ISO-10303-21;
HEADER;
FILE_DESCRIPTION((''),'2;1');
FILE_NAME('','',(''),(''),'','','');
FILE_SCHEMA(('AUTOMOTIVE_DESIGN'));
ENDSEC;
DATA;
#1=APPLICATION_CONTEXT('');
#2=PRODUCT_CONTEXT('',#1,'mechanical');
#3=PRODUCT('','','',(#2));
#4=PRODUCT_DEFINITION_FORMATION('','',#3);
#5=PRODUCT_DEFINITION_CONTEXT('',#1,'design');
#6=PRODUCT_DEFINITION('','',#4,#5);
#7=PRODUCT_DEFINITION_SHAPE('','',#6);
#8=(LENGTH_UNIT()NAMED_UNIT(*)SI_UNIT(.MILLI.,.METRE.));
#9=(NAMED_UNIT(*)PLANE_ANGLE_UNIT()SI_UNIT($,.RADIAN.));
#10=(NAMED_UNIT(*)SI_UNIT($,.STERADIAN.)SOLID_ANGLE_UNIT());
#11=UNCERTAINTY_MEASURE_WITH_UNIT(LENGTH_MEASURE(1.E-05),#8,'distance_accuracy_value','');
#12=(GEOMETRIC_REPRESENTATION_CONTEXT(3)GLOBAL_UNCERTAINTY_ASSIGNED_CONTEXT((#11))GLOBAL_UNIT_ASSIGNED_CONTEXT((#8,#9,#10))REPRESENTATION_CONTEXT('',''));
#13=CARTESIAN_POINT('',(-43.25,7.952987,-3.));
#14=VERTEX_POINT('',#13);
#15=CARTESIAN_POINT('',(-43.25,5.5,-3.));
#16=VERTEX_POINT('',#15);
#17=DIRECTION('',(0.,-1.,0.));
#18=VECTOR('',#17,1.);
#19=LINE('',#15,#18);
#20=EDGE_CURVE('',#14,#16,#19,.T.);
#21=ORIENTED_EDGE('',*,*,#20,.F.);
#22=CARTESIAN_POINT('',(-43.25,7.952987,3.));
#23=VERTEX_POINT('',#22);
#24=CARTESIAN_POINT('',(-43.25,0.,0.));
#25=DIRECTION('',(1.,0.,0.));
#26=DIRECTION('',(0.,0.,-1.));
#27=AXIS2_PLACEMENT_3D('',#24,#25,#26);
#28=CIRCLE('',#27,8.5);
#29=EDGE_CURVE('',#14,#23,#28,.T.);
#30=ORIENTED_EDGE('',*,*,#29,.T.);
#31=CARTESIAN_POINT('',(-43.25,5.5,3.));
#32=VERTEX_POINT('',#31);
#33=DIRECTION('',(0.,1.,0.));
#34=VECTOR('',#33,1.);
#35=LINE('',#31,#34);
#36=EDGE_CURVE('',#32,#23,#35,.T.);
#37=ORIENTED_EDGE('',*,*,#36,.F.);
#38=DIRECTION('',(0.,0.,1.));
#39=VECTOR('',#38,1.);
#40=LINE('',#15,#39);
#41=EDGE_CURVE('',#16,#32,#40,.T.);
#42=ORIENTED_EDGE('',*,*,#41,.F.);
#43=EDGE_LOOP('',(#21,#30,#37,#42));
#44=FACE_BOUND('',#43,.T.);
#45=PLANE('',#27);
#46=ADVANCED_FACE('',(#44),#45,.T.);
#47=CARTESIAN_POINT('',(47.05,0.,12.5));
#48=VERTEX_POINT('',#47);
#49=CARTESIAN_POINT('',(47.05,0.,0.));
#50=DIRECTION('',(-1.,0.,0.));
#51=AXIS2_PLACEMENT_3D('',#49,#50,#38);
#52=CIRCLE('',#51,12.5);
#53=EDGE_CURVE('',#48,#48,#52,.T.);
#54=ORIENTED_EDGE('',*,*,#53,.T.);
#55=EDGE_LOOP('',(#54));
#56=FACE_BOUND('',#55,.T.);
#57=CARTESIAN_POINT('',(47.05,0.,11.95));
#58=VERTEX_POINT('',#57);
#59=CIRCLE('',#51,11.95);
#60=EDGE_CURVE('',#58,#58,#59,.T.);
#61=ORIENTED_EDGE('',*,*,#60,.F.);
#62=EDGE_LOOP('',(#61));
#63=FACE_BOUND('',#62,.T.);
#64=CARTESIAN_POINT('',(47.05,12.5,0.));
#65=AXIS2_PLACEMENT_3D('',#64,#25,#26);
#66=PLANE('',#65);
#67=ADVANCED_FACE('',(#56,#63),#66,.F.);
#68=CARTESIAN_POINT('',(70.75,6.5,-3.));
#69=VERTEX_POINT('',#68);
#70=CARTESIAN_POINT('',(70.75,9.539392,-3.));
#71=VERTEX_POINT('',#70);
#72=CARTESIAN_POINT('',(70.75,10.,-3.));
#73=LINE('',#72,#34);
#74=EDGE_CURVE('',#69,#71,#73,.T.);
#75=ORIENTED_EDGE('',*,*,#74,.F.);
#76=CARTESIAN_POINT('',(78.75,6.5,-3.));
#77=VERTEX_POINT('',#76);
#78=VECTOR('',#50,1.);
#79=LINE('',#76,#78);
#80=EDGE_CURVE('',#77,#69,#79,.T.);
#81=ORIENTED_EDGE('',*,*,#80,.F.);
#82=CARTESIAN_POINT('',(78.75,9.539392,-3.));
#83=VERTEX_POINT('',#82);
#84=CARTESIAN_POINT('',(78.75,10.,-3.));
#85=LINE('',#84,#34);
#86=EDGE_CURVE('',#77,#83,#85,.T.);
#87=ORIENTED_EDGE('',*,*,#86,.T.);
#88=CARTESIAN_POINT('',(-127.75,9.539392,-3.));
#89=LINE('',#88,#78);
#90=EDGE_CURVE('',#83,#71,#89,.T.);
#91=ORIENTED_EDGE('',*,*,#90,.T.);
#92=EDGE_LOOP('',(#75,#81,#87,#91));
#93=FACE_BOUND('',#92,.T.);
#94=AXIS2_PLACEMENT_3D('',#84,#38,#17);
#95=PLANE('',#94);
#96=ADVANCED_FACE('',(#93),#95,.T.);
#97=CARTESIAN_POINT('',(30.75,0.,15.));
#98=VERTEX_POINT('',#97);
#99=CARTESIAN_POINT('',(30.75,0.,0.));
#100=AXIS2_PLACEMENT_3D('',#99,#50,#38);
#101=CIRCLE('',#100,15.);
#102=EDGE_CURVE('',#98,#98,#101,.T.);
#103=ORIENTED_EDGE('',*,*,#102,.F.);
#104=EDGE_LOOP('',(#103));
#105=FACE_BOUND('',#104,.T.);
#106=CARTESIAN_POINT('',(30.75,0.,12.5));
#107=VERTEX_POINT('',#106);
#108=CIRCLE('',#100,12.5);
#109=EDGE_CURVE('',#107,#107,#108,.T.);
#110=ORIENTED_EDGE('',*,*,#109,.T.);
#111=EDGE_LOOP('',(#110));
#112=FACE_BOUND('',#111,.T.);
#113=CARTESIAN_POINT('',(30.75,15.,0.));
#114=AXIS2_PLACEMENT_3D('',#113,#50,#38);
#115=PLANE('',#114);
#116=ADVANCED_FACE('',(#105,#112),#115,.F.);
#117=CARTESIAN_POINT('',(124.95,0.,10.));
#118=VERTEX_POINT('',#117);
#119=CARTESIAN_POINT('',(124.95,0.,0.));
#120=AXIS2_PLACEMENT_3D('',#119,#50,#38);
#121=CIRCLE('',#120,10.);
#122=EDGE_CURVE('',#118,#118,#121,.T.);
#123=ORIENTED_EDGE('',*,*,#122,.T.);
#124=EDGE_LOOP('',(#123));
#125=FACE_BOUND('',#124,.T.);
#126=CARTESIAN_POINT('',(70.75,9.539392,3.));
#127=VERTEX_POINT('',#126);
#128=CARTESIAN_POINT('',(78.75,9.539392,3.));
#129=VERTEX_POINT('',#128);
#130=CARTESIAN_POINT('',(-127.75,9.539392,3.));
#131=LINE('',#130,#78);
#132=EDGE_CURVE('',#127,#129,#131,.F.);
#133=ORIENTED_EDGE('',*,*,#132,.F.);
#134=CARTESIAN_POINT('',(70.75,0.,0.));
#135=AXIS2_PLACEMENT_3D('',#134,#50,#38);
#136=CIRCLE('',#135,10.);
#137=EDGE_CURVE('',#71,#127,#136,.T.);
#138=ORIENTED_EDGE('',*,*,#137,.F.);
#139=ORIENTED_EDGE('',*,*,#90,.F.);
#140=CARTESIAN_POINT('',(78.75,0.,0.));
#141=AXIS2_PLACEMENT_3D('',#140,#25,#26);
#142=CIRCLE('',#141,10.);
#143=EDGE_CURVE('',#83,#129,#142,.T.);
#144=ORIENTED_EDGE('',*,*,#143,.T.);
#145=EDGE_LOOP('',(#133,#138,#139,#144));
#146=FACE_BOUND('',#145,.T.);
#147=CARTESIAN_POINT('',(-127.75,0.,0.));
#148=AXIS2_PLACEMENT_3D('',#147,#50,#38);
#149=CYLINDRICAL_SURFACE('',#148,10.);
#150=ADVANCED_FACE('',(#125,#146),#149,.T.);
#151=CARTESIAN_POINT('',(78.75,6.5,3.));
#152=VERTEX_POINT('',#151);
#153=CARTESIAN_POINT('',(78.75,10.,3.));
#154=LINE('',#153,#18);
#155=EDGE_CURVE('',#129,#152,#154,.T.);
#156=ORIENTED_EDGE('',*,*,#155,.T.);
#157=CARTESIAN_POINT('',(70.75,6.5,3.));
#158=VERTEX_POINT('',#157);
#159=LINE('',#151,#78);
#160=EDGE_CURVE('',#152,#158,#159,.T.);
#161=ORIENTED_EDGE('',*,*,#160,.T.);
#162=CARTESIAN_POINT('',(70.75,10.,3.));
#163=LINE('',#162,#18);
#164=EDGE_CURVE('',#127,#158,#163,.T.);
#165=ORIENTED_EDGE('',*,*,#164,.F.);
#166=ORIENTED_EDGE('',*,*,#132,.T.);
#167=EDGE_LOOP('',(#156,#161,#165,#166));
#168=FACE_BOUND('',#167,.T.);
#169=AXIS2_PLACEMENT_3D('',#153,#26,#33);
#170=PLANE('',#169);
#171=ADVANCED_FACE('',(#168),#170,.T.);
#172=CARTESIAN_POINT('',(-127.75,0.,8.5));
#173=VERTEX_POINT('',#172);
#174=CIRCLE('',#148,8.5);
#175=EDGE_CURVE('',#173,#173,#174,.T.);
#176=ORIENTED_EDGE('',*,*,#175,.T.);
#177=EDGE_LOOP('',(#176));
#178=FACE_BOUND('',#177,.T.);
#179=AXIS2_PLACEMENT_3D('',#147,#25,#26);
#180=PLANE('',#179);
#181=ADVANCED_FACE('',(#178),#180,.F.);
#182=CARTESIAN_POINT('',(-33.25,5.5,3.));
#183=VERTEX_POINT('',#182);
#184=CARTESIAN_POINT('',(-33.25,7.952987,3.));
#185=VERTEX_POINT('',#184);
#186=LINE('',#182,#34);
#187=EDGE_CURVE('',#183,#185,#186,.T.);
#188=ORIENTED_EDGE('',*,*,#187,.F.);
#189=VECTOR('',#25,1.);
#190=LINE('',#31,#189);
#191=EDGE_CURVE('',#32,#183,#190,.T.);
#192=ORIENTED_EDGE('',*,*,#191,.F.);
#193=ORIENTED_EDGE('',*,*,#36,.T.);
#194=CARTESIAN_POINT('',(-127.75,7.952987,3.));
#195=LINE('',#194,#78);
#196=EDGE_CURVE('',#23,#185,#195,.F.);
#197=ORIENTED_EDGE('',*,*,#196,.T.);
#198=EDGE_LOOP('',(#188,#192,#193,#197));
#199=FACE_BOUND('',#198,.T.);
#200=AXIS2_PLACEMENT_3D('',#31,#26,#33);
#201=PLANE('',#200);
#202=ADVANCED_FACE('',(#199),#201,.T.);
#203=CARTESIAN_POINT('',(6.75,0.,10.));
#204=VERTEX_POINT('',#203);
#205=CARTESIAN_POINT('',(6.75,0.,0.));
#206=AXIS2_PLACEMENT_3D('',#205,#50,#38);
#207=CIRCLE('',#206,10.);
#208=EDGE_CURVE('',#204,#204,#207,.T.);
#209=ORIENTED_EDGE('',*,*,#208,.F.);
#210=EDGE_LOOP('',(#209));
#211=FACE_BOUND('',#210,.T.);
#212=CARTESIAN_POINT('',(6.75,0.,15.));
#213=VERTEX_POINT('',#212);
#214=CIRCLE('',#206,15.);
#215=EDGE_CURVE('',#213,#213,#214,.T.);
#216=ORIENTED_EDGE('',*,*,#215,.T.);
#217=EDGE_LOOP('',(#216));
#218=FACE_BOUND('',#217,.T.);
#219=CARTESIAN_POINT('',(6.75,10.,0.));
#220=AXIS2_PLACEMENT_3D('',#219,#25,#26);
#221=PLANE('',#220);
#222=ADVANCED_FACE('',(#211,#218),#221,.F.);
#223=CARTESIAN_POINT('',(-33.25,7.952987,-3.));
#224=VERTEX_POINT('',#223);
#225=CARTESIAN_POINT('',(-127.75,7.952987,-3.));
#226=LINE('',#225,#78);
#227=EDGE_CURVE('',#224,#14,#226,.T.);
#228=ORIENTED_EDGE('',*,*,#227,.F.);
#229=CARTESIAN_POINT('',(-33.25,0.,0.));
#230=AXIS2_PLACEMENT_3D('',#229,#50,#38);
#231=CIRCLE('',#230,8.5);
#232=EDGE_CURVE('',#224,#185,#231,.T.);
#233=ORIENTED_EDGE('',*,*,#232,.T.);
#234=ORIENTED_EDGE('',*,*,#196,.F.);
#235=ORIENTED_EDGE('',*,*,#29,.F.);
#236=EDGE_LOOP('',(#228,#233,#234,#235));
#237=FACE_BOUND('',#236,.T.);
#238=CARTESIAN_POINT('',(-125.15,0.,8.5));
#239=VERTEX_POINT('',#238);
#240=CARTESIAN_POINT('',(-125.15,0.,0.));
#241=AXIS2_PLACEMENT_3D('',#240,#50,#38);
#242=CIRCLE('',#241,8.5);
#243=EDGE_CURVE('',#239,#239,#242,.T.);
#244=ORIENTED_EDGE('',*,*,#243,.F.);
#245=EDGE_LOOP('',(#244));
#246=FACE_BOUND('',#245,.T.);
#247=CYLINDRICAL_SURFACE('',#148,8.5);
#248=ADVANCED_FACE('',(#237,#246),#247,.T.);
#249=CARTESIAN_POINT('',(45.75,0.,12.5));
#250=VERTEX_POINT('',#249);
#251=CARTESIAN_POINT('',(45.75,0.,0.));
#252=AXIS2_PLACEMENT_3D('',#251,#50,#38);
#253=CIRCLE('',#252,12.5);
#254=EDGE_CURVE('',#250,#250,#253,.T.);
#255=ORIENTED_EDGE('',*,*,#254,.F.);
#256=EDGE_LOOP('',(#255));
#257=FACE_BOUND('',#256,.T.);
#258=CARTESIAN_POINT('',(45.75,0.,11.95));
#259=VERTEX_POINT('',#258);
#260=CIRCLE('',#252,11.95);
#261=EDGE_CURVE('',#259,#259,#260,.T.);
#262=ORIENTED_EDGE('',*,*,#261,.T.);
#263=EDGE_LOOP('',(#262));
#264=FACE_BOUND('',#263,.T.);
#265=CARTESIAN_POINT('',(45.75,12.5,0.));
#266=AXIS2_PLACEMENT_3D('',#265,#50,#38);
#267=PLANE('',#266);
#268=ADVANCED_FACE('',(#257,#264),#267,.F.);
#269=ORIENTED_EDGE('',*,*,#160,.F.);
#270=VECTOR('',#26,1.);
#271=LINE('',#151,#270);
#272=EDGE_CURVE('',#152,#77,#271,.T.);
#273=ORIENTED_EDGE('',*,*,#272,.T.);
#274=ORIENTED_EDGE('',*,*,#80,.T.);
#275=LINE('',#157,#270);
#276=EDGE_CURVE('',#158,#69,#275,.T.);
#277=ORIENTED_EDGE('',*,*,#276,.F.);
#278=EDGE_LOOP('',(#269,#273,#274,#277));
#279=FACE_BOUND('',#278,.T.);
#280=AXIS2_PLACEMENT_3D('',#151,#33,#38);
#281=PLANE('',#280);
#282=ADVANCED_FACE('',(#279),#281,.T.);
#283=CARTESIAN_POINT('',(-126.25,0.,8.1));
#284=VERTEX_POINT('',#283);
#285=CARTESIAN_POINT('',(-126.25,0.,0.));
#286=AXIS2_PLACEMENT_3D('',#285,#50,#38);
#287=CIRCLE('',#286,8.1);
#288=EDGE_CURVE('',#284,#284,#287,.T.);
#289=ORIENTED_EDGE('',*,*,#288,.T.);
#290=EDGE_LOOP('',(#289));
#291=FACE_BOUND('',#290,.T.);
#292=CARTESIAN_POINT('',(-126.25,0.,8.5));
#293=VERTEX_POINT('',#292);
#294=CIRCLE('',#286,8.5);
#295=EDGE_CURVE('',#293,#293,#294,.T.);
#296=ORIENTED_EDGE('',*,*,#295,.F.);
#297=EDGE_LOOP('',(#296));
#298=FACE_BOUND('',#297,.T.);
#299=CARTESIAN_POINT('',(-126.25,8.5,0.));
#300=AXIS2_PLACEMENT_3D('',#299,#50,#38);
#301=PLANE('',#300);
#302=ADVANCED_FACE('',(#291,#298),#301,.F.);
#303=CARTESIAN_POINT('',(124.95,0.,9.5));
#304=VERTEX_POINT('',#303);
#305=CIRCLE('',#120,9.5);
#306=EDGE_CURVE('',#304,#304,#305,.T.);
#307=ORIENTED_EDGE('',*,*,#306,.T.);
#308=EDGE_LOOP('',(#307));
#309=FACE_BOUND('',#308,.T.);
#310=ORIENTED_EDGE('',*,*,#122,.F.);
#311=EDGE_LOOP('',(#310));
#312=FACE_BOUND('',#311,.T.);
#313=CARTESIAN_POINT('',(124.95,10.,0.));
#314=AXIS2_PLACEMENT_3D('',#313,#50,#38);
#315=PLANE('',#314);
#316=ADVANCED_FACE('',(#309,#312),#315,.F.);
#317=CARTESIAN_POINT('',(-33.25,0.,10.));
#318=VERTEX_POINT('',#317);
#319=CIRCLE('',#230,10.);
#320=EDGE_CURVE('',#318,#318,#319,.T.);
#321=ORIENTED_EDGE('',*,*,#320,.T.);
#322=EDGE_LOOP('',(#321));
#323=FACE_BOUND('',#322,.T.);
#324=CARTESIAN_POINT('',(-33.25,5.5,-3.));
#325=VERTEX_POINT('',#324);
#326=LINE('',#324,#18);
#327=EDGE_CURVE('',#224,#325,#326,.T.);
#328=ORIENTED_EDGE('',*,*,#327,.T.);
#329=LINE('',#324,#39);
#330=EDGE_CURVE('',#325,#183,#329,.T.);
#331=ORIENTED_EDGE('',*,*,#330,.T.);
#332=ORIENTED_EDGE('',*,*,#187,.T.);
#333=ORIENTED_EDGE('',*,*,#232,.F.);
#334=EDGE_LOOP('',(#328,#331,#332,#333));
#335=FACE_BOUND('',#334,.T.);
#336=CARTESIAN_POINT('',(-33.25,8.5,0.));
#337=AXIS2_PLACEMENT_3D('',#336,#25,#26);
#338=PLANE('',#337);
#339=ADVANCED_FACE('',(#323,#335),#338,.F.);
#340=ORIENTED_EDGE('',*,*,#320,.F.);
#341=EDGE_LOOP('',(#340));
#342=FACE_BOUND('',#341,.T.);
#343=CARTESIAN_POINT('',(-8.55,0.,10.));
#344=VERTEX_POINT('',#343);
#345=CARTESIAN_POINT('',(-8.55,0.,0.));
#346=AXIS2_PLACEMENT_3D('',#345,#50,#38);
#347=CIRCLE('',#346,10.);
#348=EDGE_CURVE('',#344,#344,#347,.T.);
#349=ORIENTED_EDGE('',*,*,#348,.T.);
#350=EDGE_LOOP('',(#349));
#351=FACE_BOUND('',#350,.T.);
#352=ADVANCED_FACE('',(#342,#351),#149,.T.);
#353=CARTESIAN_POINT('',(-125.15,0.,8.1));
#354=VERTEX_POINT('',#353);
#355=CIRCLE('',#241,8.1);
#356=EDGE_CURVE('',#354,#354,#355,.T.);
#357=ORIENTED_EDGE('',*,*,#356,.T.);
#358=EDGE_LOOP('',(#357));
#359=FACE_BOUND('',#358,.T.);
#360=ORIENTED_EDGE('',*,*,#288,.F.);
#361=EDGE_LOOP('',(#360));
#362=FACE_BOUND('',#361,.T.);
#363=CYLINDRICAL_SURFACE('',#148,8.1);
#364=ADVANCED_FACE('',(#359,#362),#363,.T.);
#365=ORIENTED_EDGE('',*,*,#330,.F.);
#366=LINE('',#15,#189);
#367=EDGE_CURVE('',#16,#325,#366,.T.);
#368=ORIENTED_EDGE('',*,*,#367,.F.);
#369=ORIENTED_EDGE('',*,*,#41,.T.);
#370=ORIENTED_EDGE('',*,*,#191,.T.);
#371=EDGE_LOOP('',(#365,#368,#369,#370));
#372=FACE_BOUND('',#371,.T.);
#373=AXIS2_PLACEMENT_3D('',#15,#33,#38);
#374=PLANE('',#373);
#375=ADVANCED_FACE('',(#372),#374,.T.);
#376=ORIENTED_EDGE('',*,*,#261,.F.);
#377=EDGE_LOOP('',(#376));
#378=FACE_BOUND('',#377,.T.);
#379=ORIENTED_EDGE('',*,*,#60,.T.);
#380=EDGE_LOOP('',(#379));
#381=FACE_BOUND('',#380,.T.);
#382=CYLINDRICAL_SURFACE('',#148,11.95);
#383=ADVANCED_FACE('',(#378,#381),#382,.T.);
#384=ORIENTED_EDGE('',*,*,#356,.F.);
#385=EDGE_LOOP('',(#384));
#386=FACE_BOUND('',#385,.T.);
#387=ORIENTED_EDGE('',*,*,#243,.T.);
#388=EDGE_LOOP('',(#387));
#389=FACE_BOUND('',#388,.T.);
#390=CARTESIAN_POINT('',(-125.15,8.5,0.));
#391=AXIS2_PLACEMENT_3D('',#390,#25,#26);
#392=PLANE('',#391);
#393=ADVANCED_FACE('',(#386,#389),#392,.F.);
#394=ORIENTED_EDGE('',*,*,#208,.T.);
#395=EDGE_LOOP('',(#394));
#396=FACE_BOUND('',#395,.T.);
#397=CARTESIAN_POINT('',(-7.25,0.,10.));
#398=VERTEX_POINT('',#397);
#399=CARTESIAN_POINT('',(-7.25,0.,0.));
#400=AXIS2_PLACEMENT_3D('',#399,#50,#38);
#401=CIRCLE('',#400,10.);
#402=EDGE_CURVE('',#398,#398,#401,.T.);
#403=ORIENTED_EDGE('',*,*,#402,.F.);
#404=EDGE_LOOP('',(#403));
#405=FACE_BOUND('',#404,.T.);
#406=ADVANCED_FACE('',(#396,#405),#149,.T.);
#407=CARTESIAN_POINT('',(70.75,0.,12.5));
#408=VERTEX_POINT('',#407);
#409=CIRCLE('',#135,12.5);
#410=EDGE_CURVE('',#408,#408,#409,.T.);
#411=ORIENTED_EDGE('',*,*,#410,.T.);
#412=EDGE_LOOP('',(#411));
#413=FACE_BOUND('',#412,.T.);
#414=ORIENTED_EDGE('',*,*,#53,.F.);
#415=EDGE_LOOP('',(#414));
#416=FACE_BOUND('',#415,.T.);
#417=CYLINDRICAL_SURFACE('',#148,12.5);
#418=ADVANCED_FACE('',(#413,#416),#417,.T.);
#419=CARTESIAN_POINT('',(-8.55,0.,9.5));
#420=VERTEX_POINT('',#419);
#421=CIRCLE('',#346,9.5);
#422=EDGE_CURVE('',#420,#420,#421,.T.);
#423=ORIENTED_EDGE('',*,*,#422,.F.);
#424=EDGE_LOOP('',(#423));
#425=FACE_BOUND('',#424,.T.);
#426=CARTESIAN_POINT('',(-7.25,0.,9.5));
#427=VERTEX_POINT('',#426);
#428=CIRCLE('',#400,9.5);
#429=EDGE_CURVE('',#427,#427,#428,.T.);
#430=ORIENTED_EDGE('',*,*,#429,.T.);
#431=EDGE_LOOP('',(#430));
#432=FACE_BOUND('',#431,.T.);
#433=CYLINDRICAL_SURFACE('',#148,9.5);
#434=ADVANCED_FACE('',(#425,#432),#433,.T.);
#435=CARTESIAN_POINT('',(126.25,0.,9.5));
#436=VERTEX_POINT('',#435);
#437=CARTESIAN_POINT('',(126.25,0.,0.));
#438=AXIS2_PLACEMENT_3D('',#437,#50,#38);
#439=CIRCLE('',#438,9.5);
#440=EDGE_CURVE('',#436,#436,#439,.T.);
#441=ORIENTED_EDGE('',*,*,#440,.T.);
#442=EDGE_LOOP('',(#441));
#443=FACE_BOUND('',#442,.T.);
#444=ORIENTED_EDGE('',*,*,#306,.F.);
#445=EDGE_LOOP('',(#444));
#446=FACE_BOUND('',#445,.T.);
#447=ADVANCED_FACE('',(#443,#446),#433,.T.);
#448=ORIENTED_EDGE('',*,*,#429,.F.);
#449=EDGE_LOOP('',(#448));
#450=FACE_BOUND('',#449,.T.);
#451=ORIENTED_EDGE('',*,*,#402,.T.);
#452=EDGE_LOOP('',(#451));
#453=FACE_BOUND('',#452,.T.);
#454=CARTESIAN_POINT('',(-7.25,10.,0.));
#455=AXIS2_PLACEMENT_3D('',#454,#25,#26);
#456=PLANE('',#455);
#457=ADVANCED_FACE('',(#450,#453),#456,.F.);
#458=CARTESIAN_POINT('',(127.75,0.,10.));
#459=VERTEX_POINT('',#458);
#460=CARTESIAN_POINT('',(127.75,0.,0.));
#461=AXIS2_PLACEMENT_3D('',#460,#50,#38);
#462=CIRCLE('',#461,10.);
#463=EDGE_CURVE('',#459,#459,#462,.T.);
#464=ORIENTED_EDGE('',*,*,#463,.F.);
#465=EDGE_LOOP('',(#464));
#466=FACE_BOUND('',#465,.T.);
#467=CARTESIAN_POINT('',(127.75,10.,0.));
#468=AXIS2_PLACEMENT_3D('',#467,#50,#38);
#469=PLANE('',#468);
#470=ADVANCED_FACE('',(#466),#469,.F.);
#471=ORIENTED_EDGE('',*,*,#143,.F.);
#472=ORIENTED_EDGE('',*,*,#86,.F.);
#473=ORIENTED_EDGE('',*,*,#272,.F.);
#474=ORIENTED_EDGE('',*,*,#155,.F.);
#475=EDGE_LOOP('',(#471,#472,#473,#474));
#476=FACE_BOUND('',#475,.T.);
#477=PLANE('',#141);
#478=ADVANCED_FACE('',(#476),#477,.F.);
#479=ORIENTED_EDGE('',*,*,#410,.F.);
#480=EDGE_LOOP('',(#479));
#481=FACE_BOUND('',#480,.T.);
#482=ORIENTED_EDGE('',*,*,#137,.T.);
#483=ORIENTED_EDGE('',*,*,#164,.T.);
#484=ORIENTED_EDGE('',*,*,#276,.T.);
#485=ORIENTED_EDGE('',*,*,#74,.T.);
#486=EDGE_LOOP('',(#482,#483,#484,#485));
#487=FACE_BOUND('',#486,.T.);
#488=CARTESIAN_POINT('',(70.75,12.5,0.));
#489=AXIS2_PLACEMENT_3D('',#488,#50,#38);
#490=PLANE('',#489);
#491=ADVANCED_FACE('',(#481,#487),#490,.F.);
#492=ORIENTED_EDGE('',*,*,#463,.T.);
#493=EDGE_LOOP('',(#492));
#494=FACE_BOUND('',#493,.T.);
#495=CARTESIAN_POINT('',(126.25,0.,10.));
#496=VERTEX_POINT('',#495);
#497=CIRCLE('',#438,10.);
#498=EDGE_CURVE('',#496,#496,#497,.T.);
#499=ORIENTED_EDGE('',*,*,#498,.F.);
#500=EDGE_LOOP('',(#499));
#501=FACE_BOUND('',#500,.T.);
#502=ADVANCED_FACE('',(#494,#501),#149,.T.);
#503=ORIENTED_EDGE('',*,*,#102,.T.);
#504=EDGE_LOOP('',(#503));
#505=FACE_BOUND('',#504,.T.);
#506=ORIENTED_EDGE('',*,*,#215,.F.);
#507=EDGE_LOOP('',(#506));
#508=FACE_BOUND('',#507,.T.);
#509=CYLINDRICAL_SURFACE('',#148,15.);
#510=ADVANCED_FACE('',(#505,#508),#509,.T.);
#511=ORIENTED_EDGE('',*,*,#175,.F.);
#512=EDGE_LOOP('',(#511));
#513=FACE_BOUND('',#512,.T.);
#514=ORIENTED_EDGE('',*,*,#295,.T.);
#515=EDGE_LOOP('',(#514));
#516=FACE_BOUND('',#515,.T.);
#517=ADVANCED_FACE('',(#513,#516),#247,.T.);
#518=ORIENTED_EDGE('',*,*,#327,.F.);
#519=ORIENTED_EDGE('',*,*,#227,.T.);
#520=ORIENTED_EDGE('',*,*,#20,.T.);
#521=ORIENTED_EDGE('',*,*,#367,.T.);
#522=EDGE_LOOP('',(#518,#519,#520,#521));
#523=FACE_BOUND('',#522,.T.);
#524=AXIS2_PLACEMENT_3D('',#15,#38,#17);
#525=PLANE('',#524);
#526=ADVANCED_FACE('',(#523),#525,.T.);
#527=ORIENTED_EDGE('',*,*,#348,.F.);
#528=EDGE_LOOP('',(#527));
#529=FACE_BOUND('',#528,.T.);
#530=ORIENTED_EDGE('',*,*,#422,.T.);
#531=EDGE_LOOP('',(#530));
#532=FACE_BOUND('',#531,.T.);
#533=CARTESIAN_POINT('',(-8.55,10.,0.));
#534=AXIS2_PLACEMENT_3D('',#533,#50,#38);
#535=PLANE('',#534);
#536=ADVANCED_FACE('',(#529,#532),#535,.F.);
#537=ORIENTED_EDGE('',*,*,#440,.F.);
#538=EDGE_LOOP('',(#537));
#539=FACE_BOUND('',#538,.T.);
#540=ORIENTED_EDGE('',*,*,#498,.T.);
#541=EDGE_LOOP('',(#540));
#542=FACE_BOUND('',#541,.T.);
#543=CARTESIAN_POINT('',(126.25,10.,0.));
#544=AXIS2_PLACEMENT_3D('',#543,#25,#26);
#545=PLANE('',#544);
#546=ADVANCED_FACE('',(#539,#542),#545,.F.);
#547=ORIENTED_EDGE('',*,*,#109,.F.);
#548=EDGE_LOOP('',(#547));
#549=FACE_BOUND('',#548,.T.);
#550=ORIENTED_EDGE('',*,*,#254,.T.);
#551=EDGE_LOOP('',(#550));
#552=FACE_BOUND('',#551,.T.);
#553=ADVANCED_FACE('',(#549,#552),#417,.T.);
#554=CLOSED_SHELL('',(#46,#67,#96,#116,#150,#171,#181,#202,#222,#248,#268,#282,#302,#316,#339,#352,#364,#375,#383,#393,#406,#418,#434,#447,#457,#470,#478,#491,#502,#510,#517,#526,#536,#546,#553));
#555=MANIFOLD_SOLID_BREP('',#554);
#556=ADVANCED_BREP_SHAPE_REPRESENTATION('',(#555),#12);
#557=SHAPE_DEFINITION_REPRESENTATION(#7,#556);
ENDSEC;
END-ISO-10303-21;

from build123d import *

# Parameters (mm, degrees)
SKETCH2_W          = 6
SKETCH2_H          = 5.3
CUT_EXTRUDE1_DEPTH = 10
SKETCH3_W          = 6
SKETCH3_H          = 3.5
CUT_EXTRUDE2_DEPTH = 8


with BuildPart() as part:
    # Sketch1 → Revolve1 (revolve)
    with BuildSketch(Plane.XY):
        Polygon((-127.75, 0), (127.75, 0), (127.75, 10), (126.25, 10), (126.25, 9.5), (124.95, 9.5), (124.95, 10), (70.75, 10), (70.75, 12.5), (47.05, 12.5), (47.05, 11.95), (45.75, 11.95), (45.75, 12.5), (30.75, 12.5), (30.75, 15), (6.75, 15), (6.75, 10), (-7.25, 10), (-7.25, 9.5), (-8.55, 9.5), (-8.55, 10), (-33.25, 10), (-33.25, 8.5), (-125.15, 8.5), (-125.15, 8.1), (-126.25, 8.1), (-126.25, 8.5), (-127.75, 8.5), align=None)
    revolve(axis=Axis((-127.75, 0, 0), (1, 0, 0)))

    # Sketch2 → Cut-Extrude1 (cut)
    with BuildSketch(Plane.ZY.offset(33.25)):
        with Locations((0, 8.15)):
            Rectangle(SKETCH2_W, SKETCH2_H)
    extrude(amount=CUT_EXTRUDE1_DEPTH, mode=Mode.SUBTRACT)

    # Sketch3 → Cut-Extrude2 (cut)
    with BuildSketch(Plane(origin=(70.75, 0, 0), x_dir=(0, 0, -1), z_dir=(1, 0, 0))):
        with Locations((0, 8.25)):
            Rectangle(SKETCH3_W, SKETCH3_H)
    extrude(amount=CUT_EXTRUDE2_DEPTH, mode=Mode.SUBTRACT)


solid = part.part
